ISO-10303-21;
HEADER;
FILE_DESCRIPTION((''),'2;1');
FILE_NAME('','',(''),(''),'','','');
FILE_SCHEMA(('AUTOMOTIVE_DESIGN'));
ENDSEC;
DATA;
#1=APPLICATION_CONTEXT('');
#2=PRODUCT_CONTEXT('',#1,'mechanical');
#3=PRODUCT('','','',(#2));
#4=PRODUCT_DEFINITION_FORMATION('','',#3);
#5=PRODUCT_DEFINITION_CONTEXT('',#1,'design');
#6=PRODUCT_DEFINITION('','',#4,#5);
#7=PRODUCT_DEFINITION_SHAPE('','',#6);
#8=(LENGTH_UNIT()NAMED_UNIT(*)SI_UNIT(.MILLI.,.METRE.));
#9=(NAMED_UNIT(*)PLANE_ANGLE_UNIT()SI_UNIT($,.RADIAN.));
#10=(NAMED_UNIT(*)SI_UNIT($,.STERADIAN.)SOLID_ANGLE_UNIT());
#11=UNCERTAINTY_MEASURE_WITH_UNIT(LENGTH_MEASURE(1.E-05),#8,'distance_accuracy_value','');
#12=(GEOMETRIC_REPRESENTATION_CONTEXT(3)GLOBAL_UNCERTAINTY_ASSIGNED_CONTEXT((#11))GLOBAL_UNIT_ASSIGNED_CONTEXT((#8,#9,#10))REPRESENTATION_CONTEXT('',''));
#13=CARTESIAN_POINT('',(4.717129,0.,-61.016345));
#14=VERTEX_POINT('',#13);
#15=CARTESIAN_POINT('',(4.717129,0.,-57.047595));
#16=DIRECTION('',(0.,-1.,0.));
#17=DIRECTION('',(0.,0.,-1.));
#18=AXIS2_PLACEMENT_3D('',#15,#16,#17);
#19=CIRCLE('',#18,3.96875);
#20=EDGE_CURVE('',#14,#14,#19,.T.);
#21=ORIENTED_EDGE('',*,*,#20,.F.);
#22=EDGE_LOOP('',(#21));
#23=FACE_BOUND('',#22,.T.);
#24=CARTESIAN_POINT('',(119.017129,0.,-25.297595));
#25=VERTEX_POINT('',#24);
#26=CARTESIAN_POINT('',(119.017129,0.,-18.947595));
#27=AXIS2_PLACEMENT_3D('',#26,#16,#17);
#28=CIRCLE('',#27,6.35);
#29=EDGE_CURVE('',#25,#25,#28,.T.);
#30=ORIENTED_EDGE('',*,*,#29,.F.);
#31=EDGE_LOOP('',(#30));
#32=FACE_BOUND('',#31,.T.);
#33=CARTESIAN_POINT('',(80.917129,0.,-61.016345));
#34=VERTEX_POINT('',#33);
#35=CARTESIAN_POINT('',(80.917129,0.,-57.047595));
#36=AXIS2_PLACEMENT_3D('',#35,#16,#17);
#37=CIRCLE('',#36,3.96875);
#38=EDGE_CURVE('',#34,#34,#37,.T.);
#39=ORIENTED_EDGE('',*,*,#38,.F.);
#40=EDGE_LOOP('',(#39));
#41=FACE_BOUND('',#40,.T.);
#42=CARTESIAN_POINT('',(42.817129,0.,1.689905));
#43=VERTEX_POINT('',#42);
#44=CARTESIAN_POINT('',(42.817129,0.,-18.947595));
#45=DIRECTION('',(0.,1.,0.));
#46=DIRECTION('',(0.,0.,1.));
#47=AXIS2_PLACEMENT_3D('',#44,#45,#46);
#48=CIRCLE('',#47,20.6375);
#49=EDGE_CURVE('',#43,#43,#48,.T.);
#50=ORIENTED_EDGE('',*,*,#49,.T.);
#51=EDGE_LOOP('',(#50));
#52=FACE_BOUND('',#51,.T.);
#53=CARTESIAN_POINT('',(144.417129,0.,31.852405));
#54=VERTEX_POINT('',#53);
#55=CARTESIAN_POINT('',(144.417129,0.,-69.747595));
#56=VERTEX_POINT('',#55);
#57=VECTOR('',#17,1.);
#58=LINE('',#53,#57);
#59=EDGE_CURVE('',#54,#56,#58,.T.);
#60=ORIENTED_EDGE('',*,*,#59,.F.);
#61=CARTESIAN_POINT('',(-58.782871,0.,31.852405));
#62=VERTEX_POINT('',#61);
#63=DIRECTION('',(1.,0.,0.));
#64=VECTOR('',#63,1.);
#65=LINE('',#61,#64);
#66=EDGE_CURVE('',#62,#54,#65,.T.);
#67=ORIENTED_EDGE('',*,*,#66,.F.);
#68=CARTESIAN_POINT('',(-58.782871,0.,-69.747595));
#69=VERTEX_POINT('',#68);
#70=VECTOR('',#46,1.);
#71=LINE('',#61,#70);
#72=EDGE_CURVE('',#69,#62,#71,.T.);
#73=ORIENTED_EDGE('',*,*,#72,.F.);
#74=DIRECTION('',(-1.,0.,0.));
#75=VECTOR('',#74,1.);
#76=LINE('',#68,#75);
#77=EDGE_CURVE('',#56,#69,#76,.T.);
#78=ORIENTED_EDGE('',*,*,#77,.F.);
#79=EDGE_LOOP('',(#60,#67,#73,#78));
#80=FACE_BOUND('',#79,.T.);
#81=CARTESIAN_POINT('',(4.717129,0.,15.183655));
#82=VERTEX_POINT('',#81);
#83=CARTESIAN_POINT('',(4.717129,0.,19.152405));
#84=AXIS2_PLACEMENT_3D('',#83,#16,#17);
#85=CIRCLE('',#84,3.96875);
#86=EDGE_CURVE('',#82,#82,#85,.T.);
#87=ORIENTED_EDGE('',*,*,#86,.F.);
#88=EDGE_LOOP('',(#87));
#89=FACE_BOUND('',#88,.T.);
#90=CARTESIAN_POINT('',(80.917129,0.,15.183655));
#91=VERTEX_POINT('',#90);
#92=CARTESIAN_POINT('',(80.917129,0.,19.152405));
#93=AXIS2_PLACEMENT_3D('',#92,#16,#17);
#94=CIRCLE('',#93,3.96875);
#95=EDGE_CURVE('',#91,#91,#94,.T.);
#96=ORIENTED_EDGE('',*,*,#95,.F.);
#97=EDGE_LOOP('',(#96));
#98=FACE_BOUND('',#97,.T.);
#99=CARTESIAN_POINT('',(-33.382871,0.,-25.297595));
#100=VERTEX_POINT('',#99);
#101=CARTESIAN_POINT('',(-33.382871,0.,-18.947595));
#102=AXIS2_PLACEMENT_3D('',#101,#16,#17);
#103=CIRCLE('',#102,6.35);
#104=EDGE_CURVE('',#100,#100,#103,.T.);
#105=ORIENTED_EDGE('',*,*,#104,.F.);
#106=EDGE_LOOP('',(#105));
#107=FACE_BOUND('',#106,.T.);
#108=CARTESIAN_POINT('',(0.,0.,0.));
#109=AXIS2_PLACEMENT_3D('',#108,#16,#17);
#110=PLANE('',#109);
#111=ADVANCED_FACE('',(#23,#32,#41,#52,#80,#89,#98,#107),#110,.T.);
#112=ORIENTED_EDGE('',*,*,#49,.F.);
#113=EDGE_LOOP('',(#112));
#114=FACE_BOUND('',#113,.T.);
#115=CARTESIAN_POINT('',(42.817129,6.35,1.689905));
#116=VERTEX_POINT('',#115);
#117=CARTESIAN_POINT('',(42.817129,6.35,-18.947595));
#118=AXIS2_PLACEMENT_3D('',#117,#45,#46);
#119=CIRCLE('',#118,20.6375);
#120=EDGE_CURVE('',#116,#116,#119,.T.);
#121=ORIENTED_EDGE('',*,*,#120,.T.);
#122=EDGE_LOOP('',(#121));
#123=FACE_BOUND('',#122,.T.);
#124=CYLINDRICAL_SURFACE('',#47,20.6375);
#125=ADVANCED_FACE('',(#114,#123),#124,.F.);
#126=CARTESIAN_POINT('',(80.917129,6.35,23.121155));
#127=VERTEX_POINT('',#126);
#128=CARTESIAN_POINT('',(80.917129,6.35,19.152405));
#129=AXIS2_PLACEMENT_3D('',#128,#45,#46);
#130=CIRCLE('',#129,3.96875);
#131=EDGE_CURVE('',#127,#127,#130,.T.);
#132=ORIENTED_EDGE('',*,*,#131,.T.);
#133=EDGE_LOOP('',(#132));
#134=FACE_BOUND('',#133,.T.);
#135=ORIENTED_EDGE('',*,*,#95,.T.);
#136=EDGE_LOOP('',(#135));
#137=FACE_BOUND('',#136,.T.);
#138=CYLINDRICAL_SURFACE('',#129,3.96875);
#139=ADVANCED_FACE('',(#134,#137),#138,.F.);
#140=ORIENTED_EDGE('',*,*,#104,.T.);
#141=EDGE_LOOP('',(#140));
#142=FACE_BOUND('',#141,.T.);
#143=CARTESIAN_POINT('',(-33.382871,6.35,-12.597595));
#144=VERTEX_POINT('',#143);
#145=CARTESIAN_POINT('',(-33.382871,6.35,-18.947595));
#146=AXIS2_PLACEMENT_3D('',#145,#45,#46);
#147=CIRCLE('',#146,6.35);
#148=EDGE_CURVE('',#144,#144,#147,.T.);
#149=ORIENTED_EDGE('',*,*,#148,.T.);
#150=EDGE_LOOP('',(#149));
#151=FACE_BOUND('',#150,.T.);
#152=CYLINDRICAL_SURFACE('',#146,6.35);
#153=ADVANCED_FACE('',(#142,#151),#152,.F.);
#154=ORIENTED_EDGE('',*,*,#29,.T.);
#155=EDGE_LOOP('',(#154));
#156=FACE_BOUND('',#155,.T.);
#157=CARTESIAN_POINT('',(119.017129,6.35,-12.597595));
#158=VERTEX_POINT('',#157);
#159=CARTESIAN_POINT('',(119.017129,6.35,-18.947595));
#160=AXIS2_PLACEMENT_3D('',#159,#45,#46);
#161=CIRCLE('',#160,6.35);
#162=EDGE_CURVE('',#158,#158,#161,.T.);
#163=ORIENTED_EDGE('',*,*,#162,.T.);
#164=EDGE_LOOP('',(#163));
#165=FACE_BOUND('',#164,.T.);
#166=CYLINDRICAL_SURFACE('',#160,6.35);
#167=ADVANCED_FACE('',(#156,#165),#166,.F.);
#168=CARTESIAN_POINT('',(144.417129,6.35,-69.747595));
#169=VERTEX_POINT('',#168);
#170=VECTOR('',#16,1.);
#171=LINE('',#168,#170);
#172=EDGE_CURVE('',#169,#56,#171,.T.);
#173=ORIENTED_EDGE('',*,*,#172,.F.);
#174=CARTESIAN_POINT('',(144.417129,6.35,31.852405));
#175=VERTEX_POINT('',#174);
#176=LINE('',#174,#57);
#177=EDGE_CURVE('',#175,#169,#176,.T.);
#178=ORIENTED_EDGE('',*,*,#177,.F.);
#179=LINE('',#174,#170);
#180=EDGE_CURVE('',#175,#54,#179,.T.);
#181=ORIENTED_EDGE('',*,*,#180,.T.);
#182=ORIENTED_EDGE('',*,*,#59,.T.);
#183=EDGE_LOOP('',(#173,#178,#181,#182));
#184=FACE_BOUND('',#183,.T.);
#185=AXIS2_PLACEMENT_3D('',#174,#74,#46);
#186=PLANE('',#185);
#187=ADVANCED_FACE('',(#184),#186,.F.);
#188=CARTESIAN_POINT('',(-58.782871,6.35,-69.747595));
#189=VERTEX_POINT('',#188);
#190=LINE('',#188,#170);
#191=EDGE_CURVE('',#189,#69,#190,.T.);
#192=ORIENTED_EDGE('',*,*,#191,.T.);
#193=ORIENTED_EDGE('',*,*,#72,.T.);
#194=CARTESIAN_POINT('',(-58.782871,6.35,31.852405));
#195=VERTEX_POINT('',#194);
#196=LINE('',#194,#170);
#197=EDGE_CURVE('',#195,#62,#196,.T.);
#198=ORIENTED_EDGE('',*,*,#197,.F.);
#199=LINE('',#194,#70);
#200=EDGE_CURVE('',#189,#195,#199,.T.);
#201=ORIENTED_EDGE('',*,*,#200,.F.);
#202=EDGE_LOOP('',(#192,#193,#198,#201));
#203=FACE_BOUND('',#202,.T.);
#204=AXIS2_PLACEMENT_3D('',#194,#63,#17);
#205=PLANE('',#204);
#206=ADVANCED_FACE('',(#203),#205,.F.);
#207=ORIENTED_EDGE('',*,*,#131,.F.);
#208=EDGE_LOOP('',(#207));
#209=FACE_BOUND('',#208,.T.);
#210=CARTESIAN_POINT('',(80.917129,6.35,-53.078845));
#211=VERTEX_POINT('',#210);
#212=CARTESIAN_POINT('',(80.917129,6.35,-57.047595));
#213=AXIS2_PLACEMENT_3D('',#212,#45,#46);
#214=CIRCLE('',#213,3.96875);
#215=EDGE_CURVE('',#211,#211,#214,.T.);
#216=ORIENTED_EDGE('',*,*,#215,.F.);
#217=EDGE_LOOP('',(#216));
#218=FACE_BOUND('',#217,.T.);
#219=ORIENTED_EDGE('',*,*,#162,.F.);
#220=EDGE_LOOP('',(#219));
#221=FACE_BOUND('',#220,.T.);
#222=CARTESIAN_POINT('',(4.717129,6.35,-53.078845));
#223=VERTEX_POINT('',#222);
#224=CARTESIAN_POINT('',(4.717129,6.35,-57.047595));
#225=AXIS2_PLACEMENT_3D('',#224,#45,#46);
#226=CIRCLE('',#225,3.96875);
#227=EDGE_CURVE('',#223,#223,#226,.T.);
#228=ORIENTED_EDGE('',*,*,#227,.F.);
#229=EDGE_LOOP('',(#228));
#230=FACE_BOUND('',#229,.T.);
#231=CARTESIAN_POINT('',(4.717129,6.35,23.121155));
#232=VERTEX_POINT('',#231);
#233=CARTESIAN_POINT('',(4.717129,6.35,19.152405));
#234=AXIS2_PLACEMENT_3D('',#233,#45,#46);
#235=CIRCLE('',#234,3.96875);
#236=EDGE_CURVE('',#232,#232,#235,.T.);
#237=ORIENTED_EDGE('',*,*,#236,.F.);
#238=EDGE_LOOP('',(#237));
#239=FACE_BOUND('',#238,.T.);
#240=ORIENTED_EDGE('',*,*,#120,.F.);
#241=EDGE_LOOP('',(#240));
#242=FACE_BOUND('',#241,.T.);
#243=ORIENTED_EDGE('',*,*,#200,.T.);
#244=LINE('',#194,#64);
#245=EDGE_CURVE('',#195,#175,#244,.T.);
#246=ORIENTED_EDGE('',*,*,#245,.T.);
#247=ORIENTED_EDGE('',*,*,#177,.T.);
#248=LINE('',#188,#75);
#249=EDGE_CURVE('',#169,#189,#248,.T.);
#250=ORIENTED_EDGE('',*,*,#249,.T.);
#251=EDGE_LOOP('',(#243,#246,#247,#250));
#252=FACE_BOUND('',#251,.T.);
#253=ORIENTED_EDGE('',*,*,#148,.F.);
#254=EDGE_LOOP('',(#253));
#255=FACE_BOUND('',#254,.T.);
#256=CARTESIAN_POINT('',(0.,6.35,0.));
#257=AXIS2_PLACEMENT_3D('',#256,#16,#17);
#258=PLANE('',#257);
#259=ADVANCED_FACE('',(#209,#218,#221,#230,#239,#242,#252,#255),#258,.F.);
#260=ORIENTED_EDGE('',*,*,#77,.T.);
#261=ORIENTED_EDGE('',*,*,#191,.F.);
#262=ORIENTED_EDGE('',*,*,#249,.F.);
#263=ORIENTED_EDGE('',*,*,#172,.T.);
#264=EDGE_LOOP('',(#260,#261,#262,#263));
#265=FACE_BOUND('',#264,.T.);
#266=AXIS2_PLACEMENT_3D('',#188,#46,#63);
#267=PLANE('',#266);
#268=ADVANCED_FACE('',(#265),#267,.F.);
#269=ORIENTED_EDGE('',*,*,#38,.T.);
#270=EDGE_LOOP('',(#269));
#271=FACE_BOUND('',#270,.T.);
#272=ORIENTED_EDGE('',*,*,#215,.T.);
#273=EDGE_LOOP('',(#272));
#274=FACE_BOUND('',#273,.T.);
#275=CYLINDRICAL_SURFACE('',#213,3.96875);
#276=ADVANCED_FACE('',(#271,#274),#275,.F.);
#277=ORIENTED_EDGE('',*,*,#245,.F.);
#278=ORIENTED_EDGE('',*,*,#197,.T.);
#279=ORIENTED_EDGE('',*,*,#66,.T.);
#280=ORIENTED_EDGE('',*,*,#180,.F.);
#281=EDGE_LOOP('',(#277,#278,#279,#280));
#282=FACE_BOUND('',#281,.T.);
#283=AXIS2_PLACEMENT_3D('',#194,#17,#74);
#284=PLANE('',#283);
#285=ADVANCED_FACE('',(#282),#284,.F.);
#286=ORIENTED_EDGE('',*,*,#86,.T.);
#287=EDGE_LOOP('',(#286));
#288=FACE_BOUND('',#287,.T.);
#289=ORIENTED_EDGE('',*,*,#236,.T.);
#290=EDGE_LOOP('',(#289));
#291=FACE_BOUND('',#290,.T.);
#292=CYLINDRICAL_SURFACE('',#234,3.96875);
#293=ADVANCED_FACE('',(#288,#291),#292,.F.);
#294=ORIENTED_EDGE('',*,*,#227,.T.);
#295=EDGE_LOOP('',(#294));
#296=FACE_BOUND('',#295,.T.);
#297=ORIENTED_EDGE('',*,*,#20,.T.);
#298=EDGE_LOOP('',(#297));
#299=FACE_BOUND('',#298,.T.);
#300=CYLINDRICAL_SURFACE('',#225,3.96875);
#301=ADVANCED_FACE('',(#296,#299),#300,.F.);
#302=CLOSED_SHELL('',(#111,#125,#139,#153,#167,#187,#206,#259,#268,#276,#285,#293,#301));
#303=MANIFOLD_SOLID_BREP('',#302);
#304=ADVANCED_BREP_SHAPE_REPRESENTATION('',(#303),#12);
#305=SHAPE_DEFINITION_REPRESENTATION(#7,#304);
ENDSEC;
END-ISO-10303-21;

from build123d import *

# Parameters (mm, degrees)
SKETCH1_W                      = 203.2
SKETCH1_H                      = 101.6
BOSS_EXTRUDE1_DEPTH            = 6.35
F_1_2_0_5_DIAMETER_HOLE1_D     = 12.7
F_1_2_0_5_DIAMETER_HOLE1_DEPTH = 25.4
F_1_2_0_5_DIAMETER_HOLE1_TIP   = 3.815464931
SKETCH4_R                      = 20.6375
CUT_EXTRUDE1_DEPTH             = 161.50344791
F_3_8_16_TAPPED_HOLE1_D        = 7.9375
F_3_8_16_TAPPED_HOLE1_DEPTH    = 23.8125
F_3_8_16_TAPPED_HOLE1_TIP      = 2.384665582


with BuildPart() as part:
    # Sketch1 → Boss-Extrude1 (new body)
    with BuildSketch(Plane(origin=(0, 0, 0), x_dir=(1, 0, 0), z_dir=(0, 1, 0))):
        with Locations((42.817129402, 18.947595129)):
            Rectangle(SKETCH1_W, SKETCH1_H)
    extrude(amount=BOSS_EXTRUDE1_DEPTH)

    # 1/2 (0.5) Diameter Hole1
    with Locations(Plane(origin=(-33.382870598, 6.35, -18.947595129), x_dir=(0, 0, 1), z_dir=(0, 1, 0))):
        with Locations((0, 0), (0, 152.4)):
            Hole(F_1_2_0_5_DIAMETER_HOLE1_D / 2, depth=F_1_2_0_5_DIAMETER_HOLE1_DEPTH)
            with Locations((0, 0, -(F_1_2_0_5_DIAMETER_HOLE1_DEPTH + F_1_2_0_5_DIAMETER_HOLE1_TIP / 2))):  # 118° drill point
                Cone(0, F_1_2_0_5_DIAMETER_HOLE1_D / 2, F_1_2_0_5_DIAMETER_HOLE1_TIP, mode=Mode.SUBTRACT)

    # Sketch4 → Cut-Extrude1 (cut, through all)
    with BuildSketch(Plane(origin=(0, 6.35, 0), x_dir=(1, 0, 0), z_dir=(0, 1, 0))):
        with Locations(Location((42.817129402, 18.947595129, 0), (0, 0, 270))):
            Circle(SKETCH4_R)
    extrude(amount=-CUT_EXTRUDE1_DEPTH, mode=Mode.SUBTRACT)

    # 3/8-16 Tapped Hole1
    with Locations(Plane(origin=(4.717129402, 6.35, -57.047595129), x_dir=(0, 0, 1), z_dir=(0, 1, 0))):
        with Locations((0, 0), (0, 76.2), (76.2, 76.2), (76.2, 0)):
            Hole(F_3_8_16_TAPPED_HOLE1_D / 2, depth=F_3_8_16_TAPPED_HOLE1_DEPTH)
            with Locations((0, 0, -(F_3_8_16_TAPPED_HOLE1_DEPTH + F_3_8_16_TAPPED_HOLE1_TIP / 2))):  # 118° drill point
                Cone(0, F_3_8_16_TAPPED_HOLE1_D / 2, F_3_8_16_TAPPED_HOLE1_TIP, mode=Mode.SUBTRACT)


solid = part.part
